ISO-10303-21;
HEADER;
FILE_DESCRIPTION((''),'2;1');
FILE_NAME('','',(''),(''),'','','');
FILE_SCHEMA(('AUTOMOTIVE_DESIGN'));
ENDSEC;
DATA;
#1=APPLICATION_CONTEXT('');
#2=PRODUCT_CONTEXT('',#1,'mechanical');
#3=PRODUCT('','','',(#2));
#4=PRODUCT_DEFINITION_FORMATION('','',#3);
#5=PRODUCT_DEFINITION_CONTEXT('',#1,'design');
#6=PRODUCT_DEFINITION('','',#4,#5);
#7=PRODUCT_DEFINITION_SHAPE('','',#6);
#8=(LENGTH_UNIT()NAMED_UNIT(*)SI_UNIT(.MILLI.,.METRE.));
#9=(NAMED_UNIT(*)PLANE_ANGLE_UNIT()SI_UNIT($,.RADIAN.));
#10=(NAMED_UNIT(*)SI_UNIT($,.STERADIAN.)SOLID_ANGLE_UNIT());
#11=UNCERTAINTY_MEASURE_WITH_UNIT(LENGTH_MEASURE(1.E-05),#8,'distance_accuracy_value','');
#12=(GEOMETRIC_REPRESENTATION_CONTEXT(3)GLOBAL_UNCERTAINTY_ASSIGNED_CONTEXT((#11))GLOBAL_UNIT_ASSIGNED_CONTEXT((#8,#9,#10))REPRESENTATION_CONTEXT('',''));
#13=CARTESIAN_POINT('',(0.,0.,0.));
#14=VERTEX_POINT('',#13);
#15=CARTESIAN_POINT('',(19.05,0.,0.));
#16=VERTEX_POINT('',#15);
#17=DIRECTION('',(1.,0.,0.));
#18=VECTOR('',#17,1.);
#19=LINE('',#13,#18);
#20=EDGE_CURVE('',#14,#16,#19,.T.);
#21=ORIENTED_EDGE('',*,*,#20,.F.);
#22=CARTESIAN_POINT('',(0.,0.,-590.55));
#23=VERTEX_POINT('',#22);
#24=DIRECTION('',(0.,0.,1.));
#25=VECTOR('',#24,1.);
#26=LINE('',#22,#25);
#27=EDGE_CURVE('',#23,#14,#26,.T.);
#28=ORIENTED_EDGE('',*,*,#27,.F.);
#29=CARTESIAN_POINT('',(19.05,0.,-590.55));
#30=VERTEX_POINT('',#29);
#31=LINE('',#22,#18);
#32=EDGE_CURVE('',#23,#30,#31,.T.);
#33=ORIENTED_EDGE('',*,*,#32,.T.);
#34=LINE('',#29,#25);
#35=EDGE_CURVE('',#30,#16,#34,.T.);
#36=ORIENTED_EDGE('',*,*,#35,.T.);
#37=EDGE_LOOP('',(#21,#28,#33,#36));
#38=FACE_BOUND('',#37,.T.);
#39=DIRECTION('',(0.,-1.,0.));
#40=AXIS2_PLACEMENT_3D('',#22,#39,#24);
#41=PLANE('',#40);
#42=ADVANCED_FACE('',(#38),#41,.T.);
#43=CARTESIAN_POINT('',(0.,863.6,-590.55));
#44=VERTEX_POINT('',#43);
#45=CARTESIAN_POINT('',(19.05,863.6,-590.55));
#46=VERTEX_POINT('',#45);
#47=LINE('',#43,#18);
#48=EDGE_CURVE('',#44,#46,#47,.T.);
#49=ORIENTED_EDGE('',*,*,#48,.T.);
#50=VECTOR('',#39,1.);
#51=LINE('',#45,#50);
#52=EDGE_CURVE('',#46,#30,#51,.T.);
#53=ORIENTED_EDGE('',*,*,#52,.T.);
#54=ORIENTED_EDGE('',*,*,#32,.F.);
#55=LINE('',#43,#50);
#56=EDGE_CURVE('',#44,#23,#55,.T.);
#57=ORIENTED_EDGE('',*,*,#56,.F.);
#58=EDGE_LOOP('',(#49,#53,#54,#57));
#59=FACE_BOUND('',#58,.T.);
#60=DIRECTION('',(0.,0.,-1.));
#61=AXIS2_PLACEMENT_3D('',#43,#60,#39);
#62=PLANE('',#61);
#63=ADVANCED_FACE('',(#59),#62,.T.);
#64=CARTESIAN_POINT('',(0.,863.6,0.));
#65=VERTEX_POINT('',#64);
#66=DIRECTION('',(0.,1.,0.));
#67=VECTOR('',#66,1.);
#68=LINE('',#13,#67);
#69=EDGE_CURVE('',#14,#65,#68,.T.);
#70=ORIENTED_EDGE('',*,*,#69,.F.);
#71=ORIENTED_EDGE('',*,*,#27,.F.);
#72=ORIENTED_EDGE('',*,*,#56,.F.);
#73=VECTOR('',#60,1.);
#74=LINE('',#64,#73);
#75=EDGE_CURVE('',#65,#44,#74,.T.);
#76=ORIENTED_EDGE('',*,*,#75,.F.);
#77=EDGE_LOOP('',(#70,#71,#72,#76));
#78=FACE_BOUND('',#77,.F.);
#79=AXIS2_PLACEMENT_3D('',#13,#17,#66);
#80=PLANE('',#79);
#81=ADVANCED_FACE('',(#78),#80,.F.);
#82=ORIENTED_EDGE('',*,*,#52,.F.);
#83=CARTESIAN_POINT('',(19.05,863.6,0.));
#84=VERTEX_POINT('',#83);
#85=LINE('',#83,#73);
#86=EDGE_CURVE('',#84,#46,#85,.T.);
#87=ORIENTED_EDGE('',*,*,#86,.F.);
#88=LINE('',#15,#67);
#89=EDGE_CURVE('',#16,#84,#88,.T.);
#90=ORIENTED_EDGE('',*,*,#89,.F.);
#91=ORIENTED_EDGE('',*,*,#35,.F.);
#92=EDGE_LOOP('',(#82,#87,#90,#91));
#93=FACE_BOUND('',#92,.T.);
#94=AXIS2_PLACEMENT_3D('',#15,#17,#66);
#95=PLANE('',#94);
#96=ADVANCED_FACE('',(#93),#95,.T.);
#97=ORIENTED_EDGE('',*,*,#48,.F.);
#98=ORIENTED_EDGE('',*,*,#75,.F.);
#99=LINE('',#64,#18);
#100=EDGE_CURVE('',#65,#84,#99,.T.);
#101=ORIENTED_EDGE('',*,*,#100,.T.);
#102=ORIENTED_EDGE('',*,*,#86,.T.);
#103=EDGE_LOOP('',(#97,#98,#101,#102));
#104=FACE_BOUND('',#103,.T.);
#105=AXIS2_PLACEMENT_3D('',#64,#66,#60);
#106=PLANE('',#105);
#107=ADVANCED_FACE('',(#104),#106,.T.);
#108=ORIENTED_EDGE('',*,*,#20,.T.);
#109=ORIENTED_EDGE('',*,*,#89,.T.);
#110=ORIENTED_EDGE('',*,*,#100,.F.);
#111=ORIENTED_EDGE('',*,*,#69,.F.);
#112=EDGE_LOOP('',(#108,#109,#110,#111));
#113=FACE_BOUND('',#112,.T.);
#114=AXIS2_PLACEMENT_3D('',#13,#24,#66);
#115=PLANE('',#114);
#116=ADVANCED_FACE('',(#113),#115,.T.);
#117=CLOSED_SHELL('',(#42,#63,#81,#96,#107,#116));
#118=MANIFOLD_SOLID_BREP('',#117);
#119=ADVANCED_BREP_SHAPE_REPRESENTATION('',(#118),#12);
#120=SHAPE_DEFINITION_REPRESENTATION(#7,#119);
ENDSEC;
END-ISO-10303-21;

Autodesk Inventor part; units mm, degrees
ref_plane "YZ Plane" through (0, 0, 0) normal (1, 0, 0) x (0, 1, 0)
ref_plane "XZ Plane" through (0, 0, 0) normal (0, 1, 0) x (-1, 0, 0)
ref_plane "XY Plane" through (0, 0, 0) normal (0, 0, 1) x (1, 0, 0)
sketch "Sketch1" plane through (0, 0, 0) normal (1, 0, 0) x (0, 1, 0)
  line L0 (0, 0) -> (863.6, 0)
  line L1 (863.6, 0) -> (863.6, -590.55)
  line L2 (863.6, -590.55) -> (0, -590.55)
  line L3 (0, -590.55) -> (0, 0)
  dimension "d1" = 863.6
  dimension "d2" = 590.55
extrude "Extrusion1" add sketch "Sketch1" along normal blind 19.05
properties part number "Plywood--0.75_x_34_x_23.25_in" material "Wood (Southern Pine)"
